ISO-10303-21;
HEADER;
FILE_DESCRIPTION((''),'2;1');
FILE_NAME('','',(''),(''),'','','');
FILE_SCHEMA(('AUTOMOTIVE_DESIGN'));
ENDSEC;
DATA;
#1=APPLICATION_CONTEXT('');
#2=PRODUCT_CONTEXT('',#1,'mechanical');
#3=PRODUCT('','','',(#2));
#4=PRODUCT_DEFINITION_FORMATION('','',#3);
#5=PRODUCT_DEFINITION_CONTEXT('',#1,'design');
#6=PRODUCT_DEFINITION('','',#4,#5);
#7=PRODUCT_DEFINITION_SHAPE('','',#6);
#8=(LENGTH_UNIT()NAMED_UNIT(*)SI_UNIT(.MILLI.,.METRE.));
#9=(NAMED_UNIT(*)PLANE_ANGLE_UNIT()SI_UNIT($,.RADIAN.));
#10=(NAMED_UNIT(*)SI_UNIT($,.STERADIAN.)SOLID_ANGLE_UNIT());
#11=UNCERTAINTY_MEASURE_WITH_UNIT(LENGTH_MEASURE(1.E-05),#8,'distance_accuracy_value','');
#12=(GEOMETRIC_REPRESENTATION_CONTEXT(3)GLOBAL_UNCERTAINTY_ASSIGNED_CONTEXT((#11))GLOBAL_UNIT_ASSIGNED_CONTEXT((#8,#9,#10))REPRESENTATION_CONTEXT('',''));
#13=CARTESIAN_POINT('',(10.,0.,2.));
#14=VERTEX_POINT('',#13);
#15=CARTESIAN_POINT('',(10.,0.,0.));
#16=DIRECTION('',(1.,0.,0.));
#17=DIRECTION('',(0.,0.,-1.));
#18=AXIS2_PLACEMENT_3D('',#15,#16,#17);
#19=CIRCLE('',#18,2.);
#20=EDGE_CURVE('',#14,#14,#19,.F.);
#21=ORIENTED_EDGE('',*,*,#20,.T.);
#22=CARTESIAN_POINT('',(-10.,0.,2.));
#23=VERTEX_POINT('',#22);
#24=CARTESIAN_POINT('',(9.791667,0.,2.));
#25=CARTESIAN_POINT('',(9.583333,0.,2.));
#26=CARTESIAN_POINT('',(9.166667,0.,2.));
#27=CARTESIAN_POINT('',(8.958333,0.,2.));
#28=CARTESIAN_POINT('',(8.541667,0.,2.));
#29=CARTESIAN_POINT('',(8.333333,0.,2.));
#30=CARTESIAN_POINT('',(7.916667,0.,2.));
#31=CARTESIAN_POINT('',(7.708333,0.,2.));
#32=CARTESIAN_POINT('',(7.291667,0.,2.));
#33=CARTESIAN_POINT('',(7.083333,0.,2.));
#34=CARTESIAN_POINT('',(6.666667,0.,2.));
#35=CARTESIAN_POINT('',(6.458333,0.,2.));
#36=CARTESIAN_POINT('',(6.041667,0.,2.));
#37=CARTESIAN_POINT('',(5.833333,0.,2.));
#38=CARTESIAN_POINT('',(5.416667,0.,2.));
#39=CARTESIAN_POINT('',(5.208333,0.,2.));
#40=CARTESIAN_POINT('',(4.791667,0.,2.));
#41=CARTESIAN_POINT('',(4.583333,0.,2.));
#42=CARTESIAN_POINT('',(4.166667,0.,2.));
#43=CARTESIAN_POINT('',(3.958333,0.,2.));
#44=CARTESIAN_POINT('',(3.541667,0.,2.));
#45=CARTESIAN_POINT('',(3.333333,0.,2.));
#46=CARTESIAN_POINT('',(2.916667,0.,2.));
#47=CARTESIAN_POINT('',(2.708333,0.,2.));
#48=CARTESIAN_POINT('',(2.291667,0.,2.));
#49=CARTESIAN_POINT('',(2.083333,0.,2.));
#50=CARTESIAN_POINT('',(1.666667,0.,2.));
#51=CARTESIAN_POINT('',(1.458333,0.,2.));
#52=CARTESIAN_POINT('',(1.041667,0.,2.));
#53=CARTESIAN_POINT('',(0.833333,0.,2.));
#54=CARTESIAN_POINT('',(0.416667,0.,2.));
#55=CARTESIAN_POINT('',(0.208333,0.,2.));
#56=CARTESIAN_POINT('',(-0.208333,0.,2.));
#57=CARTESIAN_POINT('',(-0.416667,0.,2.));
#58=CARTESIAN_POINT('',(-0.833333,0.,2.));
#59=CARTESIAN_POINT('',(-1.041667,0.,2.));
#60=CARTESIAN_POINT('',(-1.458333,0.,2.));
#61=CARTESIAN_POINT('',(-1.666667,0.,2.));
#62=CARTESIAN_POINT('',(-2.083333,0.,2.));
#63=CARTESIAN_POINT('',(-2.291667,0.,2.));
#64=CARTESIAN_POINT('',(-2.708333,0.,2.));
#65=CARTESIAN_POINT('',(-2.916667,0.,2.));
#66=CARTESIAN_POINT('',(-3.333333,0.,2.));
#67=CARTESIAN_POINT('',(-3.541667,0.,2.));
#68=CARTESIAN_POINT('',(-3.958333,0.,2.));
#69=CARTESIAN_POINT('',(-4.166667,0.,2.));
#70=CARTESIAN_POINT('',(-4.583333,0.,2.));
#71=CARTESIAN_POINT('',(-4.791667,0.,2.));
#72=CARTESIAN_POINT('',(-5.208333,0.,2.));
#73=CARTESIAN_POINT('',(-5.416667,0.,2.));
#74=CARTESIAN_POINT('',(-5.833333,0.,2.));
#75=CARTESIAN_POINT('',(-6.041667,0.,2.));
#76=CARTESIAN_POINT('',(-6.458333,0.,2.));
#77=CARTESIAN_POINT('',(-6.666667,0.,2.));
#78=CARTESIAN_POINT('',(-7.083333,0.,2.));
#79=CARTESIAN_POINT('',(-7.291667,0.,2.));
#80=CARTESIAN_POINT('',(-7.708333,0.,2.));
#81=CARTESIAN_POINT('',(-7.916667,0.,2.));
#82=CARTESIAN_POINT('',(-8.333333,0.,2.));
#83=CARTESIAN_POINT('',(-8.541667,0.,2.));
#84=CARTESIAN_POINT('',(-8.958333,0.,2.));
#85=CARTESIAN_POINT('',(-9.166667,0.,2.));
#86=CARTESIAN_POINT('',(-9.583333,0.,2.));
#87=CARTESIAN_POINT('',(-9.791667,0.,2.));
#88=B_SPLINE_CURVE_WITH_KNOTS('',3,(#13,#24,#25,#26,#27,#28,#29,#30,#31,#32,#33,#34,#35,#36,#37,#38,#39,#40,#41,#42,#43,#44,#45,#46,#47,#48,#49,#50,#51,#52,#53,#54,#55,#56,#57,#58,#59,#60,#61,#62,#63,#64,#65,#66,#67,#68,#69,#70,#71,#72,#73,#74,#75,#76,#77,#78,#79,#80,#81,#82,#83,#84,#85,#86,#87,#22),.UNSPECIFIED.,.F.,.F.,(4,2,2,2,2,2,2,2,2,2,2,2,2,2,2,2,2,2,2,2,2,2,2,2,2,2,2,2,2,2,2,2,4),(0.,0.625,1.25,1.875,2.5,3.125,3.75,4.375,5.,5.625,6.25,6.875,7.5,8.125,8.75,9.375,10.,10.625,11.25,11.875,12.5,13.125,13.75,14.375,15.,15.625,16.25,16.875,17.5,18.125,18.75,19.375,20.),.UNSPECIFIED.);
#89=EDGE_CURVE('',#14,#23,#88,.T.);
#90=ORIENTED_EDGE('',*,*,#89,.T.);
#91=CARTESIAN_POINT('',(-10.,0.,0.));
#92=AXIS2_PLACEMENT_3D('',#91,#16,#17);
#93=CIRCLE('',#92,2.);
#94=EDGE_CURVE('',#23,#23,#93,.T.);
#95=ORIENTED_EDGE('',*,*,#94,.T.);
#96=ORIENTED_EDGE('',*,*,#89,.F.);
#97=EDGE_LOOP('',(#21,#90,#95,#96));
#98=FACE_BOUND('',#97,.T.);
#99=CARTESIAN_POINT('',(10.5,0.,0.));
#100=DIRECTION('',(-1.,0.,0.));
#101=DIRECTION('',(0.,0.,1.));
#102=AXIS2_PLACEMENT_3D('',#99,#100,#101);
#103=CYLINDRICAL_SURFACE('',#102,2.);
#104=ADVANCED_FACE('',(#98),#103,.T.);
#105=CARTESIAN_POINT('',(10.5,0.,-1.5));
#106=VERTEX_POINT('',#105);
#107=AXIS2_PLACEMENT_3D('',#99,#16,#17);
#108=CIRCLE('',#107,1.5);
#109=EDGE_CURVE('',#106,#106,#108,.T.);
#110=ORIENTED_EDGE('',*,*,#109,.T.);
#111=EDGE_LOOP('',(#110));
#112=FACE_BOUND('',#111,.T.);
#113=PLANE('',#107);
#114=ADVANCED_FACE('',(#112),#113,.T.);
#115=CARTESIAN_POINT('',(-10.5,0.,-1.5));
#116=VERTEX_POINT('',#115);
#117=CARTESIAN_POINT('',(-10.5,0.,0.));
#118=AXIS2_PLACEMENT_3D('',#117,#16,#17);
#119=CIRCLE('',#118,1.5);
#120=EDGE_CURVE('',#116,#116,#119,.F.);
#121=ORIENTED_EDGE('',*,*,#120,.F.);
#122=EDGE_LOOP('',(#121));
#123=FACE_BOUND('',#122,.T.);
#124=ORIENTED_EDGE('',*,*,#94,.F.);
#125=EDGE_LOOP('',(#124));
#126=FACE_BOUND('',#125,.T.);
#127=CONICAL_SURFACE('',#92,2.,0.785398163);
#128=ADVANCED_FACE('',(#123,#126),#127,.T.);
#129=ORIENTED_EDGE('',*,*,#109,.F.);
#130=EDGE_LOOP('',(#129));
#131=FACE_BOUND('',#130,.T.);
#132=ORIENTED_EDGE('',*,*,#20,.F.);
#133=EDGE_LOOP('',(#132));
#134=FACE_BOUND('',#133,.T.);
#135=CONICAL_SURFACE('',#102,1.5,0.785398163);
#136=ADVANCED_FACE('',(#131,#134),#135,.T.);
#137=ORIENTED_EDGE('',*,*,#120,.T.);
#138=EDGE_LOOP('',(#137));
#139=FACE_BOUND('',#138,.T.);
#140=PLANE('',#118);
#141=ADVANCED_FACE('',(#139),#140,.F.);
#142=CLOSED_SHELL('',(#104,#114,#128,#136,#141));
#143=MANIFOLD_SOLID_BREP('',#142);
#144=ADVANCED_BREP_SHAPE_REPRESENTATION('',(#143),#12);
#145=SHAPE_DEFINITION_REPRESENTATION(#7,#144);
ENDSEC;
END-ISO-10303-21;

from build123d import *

# Parameters (mm, degrees)
ESQUISSE1_R        = 2
BOSS_EXTRU_1_DEPTH = 10.5
CHANFREIN1_SIZE    = 0.5


with BuildPart() as part:
    # Esquisse1 → Boss.-Extru.1 (new, symmetric)
    with BuildSketch(Plane(origin=(0, 0, 0), x_dir=(0, 0, -1), z_dir=(1, 0, 0))):
        with Locations(Location((0, 0, 0), (0, 0, 180))):
            Circle(ESQUISSE1_R)
    extrude(amount=BOSS_EXTRU_1_DEPTH, both=True)

    # Chanfrein1
    chanfrein1_edges = [part.edges().sort_by_distance(p)[0] for p in [
        (-10.5, 0, -2),
        (10.5, 0, -2),
    ]]
    chamfer(chanfrein1_edges, length=CHANFREIN1_SIZE)


solid = part.part
